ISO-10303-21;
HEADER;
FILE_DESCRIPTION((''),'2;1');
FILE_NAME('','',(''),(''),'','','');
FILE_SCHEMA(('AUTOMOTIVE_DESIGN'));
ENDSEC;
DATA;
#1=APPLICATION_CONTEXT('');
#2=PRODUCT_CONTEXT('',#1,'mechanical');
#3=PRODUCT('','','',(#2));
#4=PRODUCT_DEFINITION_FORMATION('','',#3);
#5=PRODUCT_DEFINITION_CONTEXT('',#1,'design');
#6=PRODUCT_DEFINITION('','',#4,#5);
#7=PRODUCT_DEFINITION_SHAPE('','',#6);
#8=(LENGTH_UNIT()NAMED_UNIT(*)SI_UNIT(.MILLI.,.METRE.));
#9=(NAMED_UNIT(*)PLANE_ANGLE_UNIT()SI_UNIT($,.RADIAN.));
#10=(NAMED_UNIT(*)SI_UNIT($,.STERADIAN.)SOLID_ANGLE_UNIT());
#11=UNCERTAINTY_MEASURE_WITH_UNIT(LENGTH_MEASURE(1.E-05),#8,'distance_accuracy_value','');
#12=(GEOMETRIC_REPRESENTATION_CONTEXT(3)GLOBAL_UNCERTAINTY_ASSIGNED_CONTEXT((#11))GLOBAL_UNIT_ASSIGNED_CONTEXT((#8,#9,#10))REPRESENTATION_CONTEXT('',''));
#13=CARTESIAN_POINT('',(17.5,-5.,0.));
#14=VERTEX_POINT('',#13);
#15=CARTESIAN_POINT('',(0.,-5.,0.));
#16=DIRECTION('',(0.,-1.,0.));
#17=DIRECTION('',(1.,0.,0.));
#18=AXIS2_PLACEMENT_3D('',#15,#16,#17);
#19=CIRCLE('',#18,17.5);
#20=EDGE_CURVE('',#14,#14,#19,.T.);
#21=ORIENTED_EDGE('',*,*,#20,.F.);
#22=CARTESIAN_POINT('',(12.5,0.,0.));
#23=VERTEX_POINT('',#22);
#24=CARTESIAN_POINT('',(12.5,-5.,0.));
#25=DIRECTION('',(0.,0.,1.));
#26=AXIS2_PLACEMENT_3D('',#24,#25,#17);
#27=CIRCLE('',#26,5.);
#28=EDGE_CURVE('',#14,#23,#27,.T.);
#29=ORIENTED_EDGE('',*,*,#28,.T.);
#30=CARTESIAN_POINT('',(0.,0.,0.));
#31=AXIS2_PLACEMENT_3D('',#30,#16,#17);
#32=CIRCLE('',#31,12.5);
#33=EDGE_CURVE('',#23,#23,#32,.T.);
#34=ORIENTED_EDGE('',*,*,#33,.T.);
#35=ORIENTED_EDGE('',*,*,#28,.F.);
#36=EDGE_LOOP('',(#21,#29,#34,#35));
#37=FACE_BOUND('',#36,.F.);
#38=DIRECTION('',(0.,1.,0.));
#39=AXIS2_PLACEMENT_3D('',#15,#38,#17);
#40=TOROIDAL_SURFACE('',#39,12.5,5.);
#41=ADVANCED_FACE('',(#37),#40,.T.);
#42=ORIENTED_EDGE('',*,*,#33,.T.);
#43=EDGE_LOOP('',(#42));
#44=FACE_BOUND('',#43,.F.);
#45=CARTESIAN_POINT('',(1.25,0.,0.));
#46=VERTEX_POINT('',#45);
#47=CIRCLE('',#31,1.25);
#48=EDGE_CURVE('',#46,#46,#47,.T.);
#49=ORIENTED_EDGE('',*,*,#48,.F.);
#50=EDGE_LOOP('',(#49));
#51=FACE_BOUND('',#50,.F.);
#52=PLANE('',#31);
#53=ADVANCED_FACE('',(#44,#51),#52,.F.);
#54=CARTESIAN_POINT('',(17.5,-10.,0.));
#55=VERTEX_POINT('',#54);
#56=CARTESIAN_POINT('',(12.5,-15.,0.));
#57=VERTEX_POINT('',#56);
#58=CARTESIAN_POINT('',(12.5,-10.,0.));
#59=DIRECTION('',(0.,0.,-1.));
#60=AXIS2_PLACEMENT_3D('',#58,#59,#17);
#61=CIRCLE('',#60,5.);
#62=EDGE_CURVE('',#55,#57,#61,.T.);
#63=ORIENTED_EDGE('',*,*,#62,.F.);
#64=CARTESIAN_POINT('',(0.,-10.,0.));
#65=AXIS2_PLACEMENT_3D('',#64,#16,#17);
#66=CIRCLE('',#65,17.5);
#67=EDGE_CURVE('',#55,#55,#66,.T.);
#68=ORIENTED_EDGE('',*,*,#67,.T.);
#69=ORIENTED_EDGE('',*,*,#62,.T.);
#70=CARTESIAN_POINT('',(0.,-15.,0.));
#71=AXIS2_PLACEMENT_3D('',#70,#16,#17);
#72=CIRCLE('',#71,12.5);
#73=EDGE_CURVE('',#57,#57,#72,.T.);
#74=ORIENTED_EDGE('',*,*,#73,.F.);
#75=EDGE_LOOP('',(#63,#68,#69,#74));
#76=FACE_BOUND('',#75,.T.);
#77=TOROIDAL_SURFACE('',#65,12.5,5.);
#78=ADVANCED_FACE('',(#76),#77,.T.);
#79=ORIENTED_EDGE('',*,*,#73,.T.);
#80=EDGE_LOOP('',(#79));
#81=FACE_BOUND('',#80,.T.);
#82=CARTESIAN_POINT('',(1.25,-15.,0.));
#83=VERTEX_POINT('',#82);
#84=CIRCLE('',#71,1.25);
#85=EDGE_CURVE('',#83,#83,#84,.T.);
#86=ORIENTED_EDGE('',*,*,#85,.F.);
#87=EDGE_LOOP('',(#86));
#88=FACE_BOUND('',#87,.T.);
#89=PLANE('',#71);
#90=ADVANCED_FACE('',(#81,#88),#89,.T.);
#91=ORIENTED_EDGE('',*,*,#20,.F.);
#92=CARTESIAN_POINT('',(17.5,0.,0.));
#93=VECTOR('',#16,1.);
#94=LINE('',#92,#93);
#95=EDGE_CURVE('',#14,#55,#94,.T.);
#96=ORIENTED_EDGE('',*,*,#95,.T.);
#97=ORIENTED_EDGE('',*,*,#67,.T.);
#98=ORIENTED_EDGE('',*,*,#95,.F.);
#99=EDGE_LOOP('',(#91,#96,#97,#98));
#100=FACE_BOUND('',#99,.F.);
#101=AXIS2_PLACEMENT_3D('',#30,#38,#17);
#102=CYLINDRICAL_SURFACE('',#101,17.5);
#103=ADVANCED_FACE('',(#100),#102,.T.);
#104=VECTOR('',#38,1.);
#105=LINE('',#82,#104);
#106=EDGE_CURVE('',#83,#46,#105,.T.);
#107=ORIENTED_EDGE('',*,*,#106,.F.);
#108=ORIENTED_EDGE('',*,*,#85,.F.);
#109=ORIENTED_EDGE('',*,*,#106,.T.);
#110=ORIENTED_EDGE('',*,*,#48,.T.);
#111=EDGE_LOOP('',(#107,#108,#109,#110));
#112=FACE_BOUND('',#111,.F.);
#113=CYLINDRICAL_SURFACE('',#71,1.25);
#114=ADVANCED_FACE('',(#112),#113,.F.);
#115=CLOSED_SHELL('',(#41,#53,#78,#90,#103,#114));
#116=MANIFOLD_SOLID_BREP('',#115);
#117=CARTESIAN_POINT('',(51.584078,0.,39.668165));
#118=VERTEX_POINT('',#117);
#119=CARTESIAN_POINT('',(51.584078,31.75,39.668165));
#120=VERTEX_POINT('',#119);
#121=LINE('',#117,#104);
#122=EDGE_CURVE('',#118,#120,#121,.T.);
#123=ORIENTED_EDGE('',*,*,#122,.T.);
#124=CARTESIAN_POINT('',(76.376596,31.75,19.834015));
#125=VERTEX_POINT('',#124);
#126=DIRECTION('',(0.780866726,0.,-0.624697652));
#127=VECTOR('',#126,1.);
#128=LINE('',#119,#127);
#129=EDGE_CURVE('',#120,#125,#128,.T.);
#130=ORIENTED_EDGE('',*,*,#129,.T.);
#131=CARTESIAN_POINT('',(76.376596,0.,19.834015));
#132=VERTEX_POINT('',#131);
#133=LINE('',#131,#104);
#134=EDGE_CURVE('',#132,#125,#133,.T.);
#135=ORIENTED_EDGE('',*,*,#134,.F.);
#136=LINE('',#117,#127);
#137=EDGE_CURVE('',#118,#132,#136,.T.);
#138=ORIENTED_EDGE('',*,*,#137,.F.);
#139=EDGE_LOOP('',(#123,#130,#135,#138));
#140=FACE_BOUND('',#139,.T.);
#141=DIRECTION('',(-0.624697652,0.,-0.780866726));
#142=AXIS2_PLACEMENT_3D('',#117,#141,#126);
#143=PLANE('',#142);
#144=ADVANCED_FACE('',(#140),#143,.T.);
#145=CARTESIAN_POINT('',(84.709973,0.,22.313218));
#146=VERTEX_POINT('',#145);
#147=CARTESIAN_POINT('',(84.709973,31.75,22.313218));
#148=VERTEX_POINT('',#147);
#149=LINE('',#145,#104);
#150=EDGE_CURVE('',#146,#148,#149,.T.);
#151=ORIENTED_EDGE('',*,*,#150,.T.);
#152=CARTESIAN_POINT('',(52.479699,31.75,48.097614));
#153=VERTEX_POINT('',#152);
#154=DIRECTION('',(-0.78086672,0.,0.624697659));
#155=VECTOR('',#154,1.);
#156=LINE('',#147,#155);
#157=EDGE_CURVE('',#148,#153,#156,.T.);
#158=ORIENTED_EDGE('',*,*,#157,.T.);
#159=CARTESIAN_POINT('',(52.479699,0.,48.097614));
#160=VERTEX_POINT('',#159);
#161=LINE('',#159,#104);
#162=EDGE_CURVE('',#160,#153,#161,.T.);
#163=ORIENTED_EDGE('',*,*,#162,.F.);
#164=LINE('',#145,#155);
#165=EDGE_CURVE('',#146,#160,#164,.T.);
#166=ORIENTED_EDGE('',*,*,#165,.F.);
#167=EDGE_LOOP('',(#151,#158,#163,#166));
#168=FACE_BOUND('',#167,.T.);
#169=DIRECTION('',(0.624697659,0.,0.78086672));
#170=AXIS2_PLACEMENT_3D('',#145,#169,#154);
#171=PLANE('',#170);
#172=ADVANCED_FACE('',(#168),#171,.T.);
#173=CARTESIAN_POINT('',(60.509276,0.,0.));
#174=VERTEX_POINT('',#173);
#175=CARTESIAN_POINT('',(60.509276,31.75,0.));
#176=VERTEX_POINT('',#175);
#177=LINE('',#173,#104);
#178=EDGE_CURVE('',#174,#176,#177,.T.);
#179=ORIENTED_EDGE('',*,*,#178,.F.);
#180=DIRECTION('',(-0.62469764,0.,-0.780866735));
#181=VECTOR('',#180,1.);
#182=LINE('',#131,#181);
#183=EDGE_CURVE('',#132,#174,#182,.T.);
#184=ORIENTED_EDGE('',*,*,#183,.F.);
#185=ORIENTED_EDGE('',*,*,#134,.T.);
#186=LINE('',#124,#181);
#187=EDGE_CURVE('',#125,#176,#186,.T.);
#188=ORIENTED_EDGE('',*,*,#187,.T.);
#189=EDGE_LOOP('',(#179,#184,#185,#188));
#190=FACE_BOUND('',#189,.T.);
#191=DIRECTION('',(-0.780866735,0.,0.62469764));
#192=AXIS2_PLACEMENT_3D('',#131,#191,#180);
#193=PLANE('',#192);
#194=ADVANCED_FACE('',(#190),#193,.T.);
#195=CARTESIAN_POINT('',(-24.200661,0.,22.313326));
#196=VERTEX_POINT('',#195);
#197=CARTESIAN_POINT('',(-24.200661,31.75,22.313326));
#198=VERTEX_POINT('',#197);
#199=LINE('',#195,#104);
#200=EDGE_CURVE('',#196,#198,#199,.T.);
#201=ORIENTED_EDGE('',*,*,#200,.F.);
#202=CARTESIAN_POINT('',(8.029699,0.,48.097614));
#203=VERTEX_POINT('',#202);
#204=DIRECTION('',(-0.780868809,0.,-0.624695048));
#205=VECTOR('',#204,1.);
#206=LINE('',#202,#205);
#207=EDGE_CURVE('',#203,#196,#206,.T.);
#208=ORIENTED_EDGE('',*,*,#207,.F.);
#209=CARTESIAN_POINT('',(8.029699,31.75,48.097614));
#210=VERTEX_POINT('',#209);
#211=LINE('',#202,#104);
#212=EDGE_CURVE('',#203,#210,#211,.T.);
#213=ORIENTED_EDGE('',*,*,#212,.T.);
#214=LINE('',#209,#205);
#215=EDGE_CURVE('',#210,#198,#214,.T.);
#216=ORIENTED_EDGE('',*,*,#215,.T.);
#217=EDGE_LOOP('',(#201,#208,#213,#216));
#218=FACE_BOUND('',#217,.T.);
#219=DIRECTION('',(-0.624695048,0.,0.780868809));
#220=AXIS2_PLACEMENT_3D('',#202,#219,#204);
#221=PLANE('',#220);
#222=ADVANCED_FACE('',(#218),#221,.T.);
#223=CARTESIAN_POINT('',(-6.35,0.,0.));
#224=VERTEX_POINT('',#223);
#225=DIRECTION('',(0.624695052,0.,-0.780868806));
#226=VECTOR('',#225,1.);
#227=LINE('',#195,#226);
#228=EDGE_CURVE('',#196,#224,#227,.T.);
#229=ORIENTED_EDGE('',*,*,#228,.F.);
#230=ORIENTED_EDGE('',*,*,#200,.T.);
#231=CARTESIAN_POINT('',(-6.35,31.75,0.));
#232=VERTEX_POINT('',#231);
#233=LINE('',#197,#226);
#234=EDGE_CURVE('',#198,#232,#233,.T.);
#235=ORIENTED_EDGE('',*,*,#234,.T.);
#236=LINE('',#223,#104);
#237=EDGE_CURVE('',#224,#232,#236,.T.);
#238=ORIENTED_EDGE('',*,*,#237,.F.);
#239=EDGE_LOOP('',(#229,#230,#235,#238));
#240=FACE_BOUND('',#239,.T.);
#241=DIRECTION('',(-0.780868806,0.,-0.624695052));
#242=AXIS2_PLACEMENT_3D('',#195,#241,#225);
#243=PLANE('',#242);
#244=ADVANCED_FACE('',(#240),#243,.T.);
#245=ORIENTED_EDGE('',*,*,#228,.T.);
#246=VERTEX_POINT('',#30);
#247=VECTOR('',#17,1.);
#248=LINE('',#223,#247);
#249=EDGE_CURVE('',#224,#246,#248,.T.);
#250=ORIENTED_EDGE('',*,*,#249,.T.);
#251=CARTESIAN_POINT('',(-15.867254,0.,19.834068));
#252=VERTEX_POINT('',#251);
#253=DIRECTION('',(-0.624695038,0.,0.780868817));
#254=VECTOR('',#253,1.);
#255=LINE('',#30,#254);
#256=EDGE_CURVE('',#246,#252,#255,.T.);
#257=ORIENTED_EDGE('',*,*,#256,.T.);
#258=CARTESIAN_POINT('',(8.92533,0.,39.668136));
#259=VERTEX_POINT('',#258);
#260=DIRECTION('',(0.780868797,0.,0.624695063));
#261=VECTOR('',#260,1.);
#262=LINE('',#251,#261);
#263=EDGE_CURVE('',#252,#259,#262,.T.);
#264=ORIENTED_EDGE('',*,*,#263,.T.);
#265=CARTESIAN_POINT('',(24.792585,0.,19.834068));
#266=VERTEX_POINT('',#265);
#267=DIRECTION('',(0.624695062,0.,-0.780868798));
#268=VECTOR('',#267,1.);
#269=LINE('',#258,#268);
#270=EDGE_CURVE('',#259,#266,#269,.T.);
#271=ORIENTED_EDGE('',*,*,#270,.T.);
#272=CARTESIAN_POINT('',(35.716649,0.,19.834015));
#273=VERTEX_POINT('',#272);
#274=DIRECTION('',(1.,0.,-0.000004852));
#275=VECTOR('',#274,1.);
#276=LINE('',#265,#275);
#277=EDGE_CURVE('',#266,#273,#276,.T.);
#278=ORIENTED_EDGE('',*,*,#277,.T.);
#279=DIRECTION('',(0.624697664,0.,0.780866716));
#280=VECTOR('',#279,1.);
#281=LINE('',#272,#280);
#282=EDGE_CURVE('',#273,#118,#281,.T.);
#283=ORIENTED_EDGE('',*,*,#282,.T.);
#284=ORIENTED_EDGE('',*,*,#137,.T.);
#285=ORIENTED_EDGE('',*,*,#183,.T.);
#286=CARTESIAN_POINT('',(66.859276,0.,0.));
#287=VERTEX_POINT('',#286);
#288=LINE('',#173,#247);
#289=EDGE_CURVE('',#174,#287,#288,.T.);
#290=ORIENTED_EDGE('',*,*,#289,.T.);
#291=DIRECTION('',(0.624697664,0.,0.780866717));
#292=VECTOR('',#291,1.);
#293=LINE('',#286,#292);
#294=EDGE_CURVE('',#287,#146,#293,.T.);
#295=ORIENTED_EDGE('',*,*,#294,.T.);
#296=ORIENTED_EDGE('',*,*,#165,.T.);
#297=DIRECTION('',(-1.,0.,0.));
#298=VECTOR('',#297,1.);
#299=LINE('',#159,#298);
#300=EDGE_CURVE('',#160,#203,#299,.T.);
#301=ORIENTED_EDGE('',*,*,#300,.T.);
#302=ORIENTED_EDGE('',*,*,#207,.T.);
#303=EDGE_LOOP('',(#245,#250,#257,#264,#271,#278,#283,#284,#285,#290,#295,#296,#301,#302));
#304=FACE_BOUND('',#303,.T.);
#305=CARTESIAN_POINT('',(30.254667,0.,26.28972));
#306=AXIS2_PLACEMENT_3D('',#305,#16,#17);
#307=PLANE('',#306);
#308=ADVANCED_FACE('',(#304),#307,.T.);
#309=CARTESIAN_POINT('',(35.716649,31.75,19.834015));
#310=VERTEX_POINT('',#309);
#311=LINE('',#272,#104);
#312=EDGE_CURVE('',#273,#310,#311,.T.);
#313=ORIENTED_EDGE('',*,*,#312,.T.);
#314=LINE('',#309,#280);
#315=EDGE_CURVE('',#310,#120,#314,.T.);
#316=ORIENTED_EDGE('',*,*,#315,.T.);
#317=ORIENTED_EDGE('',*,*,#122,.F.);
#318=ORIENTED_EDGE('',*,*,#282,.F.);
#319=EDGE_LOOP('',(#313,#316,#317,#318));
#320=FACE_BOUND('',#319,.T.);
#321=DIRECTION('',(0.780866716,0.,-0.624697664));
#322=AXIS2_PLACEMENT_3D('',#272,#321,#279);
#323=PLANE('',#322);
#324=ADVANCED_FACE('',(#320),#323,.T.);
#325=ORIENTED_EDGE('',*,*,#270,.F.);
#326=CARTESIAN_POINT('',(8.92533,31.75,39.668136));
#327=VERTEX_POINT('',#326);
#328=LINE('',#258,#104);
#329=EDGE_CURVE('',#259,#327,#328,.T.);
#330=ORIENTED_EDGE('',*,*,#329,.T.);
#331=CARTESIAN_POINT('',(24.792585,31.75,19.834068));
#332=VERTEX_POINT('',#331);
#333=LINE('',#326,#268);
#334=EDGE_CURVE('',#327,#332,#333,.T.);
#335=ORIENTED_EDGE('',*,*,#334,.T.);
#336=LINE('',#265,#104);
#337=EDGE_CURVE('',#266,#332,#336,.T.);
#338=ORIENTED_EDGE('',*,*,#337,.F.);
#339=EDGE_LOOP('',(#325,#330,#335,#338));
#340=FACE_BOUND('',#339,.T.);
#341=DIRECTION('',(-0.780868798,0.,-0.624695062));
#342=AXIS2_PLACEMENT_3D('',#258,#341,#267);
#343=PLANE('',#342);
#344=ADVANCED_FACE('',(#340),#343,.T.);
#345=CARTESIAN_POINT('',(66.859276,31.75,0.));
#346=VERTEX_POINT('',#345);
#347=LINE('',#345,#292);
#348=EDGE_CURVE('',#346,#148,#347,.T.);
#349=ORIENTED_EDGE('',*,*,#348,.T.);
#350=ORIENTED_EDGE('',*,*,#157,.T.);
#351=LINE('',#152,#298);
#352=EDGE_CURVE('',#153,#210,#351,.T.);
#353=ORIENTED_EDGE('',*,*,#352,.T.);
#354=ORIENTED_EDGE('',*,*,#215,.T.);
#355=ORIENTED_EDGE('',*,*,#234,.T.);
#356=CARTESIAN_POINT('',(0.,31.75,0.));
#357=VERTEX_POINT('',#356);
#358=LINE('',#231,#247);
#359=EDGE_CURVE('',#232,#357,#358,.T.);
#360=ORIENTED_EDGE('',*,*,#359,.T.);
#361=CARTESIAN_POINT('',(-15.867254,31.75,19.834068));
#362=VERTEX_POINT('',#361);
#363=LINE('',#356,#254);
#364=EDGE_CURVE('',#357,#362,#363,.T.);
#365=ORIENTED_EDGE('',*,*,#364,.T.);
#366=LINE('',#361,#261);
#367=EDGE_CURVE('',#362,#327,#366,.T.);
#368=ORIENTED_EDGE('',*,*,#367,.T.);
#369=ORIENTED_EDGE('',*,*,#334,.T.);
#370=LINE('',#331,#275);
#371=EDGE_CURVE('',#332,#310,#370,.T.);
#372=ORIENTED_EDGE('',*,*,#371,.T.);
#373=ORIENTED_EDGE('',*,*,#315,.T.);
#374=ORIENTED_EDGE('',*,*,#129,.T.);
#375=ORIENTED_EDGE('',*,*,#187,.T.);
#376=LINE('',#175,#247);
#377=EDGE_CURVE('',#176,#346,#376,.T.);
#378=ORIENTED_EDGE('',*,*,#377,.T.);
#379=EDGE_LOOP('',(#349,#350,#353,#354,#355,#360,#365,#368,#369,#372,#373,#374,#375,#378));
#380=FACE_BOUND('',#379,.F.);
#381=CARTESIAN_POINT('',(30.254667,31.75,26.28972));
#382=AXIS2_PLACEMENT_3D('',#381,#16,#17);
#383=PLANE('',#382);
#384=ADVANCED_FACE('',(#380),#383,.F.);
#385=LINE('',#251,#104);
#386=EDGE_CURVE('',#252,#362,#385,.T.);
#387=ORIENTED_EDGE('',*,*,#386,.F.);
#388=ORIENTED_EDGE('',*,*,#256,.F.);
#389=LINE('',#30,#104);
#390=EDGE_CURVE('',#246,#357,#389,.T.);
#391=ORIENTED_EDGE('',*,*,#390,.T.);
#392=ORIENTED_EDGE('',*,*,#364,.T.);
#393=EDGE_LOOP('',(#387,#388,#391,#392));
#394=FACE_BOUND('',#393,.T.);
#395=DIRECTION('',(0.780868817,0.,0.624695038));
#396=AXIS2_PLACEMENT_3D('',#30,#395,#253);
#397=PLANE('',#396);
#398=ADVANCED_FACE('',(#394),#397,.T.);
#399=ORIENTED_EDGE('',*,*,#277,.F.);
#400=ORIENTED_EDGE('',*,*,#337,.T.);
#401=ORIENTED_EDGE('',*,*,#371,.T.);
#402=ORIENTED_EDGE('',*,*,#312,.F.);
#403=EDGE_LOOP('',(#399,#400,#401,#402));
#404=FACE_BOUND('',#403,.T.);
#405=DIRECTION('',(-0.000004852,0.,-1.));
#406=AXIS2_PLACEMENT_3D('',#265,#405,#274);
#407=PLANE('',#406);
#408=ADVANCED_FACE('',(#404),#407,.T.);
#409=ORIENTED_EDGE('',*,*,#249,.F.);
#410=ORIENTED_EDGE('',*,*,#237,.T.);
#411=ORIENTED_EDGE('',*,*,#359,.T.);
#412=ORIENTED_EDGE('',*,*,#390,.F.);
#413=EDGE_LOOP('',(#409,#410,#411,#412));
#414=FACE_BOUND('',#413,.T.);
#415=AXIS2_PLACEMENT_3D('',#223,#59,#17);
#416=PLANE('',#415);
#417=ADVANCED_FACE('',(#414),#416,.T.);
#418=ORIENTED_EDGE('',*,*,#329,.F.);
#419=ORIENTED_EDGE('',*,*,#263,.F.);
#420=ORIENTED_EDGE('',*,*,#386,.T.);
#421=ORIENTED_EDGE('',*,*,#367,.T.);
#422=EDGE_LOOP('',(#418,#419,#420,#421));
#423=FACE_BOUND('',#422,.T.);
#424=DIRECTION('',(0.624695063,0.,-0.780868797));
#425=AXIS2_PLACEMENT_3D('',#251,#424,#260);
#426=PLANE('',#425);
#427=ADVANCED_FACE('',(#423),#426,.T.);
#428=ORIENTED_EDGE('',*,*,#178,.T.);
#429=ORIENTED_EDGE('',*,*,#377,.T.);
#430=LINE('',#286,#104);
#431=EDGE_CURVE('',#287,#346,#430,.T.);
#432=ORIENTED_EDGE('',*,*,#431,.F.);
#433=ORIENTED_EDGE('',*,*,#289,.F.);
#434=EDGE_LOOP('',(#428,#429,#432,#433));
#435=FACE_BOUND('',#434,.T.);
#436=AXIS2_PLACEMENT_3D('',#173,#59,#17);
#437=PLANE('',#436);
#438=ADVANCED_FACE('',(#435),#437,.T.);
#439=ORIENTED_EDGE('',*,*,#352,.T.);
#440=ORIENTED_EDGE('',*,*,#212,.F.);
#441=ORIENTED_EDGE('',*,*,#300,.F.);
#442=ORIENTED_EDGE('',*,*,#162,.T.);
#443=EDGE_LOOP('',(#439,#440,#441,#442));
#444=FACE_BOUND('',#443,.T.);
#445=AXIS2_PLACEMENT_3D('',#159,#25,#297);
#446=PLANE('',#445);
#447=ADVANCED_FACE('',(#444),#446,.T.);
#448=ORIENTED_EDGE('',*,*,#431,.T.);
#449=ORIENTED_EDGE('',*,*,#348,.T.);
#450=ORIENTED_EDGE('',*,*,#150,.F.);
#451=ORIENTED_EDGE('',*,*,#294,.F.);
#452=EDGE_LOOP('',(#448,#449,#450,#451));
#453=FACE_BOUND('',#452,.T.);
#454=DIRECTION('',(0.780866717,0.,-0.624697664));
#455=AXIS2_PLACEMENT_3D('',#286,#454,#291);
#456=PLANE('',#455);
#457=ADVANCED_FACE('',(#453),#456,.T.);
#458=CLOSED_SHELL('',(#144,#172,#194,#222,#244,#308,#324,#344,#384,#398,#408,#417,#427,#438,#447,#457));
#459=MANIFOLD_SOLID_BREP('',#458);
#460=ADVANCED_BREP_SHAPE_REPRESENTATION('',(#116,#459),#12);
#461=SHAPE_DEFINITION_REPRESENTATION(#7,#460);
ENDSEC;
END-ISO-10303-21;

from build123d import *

# Parameters (mm, degrees)
F1_DEPTH = 31.75
F2_R     = 17.5
F3_DEPTH = 15
F4_R     = 5
F5_R     = 1.25
F6_DEPTH = 15


with BuildPart() as f1:
    # F0 (on Front) → F1 (new body)
    with BuildSketch(Plane.XZ):
        Polygon((-6.35, 0), (0, 0), (-15.867254, 19.834068), (8.92533, 39.668136), (24.792585, 19.834068), (35.716649, 19.834015), (51.584078, 39.668165), (76.376596, 19.834015), (60.509276, 0), (66.859276, 0), (84.709973, 22.313218), (52.479699, 48.097614), (8.029699, 48.097614), (-24.200661, 22.313326), align=None)
    extrude(amount=-F1_DEPTH)


with BuildPart() as f3:
    # F2 (on Front) → F3 (new body)
    with BuildSketch(Plane.XZ):
        Circle(F2_R)
    extrude(amount=F3_DEPTH)

    # F4
    f4_edges = [f3.edges().sort_by_distance(p)[0] for p in [
        (-17.5, -15, 0),
        (-17.5, 0, 0),
    ]]
    fillet(f4_edges, radius=F4_R)

    # F5 (on face) → F6 (cut)
    with BuildSketch(Plane.XZ.offset(15)):
        Circle(F5_R)
    extrude(amount=-F6_DEPTH, mode=Mode.SUBTRACT)


solid = Compound([f1.part, f3.part])
